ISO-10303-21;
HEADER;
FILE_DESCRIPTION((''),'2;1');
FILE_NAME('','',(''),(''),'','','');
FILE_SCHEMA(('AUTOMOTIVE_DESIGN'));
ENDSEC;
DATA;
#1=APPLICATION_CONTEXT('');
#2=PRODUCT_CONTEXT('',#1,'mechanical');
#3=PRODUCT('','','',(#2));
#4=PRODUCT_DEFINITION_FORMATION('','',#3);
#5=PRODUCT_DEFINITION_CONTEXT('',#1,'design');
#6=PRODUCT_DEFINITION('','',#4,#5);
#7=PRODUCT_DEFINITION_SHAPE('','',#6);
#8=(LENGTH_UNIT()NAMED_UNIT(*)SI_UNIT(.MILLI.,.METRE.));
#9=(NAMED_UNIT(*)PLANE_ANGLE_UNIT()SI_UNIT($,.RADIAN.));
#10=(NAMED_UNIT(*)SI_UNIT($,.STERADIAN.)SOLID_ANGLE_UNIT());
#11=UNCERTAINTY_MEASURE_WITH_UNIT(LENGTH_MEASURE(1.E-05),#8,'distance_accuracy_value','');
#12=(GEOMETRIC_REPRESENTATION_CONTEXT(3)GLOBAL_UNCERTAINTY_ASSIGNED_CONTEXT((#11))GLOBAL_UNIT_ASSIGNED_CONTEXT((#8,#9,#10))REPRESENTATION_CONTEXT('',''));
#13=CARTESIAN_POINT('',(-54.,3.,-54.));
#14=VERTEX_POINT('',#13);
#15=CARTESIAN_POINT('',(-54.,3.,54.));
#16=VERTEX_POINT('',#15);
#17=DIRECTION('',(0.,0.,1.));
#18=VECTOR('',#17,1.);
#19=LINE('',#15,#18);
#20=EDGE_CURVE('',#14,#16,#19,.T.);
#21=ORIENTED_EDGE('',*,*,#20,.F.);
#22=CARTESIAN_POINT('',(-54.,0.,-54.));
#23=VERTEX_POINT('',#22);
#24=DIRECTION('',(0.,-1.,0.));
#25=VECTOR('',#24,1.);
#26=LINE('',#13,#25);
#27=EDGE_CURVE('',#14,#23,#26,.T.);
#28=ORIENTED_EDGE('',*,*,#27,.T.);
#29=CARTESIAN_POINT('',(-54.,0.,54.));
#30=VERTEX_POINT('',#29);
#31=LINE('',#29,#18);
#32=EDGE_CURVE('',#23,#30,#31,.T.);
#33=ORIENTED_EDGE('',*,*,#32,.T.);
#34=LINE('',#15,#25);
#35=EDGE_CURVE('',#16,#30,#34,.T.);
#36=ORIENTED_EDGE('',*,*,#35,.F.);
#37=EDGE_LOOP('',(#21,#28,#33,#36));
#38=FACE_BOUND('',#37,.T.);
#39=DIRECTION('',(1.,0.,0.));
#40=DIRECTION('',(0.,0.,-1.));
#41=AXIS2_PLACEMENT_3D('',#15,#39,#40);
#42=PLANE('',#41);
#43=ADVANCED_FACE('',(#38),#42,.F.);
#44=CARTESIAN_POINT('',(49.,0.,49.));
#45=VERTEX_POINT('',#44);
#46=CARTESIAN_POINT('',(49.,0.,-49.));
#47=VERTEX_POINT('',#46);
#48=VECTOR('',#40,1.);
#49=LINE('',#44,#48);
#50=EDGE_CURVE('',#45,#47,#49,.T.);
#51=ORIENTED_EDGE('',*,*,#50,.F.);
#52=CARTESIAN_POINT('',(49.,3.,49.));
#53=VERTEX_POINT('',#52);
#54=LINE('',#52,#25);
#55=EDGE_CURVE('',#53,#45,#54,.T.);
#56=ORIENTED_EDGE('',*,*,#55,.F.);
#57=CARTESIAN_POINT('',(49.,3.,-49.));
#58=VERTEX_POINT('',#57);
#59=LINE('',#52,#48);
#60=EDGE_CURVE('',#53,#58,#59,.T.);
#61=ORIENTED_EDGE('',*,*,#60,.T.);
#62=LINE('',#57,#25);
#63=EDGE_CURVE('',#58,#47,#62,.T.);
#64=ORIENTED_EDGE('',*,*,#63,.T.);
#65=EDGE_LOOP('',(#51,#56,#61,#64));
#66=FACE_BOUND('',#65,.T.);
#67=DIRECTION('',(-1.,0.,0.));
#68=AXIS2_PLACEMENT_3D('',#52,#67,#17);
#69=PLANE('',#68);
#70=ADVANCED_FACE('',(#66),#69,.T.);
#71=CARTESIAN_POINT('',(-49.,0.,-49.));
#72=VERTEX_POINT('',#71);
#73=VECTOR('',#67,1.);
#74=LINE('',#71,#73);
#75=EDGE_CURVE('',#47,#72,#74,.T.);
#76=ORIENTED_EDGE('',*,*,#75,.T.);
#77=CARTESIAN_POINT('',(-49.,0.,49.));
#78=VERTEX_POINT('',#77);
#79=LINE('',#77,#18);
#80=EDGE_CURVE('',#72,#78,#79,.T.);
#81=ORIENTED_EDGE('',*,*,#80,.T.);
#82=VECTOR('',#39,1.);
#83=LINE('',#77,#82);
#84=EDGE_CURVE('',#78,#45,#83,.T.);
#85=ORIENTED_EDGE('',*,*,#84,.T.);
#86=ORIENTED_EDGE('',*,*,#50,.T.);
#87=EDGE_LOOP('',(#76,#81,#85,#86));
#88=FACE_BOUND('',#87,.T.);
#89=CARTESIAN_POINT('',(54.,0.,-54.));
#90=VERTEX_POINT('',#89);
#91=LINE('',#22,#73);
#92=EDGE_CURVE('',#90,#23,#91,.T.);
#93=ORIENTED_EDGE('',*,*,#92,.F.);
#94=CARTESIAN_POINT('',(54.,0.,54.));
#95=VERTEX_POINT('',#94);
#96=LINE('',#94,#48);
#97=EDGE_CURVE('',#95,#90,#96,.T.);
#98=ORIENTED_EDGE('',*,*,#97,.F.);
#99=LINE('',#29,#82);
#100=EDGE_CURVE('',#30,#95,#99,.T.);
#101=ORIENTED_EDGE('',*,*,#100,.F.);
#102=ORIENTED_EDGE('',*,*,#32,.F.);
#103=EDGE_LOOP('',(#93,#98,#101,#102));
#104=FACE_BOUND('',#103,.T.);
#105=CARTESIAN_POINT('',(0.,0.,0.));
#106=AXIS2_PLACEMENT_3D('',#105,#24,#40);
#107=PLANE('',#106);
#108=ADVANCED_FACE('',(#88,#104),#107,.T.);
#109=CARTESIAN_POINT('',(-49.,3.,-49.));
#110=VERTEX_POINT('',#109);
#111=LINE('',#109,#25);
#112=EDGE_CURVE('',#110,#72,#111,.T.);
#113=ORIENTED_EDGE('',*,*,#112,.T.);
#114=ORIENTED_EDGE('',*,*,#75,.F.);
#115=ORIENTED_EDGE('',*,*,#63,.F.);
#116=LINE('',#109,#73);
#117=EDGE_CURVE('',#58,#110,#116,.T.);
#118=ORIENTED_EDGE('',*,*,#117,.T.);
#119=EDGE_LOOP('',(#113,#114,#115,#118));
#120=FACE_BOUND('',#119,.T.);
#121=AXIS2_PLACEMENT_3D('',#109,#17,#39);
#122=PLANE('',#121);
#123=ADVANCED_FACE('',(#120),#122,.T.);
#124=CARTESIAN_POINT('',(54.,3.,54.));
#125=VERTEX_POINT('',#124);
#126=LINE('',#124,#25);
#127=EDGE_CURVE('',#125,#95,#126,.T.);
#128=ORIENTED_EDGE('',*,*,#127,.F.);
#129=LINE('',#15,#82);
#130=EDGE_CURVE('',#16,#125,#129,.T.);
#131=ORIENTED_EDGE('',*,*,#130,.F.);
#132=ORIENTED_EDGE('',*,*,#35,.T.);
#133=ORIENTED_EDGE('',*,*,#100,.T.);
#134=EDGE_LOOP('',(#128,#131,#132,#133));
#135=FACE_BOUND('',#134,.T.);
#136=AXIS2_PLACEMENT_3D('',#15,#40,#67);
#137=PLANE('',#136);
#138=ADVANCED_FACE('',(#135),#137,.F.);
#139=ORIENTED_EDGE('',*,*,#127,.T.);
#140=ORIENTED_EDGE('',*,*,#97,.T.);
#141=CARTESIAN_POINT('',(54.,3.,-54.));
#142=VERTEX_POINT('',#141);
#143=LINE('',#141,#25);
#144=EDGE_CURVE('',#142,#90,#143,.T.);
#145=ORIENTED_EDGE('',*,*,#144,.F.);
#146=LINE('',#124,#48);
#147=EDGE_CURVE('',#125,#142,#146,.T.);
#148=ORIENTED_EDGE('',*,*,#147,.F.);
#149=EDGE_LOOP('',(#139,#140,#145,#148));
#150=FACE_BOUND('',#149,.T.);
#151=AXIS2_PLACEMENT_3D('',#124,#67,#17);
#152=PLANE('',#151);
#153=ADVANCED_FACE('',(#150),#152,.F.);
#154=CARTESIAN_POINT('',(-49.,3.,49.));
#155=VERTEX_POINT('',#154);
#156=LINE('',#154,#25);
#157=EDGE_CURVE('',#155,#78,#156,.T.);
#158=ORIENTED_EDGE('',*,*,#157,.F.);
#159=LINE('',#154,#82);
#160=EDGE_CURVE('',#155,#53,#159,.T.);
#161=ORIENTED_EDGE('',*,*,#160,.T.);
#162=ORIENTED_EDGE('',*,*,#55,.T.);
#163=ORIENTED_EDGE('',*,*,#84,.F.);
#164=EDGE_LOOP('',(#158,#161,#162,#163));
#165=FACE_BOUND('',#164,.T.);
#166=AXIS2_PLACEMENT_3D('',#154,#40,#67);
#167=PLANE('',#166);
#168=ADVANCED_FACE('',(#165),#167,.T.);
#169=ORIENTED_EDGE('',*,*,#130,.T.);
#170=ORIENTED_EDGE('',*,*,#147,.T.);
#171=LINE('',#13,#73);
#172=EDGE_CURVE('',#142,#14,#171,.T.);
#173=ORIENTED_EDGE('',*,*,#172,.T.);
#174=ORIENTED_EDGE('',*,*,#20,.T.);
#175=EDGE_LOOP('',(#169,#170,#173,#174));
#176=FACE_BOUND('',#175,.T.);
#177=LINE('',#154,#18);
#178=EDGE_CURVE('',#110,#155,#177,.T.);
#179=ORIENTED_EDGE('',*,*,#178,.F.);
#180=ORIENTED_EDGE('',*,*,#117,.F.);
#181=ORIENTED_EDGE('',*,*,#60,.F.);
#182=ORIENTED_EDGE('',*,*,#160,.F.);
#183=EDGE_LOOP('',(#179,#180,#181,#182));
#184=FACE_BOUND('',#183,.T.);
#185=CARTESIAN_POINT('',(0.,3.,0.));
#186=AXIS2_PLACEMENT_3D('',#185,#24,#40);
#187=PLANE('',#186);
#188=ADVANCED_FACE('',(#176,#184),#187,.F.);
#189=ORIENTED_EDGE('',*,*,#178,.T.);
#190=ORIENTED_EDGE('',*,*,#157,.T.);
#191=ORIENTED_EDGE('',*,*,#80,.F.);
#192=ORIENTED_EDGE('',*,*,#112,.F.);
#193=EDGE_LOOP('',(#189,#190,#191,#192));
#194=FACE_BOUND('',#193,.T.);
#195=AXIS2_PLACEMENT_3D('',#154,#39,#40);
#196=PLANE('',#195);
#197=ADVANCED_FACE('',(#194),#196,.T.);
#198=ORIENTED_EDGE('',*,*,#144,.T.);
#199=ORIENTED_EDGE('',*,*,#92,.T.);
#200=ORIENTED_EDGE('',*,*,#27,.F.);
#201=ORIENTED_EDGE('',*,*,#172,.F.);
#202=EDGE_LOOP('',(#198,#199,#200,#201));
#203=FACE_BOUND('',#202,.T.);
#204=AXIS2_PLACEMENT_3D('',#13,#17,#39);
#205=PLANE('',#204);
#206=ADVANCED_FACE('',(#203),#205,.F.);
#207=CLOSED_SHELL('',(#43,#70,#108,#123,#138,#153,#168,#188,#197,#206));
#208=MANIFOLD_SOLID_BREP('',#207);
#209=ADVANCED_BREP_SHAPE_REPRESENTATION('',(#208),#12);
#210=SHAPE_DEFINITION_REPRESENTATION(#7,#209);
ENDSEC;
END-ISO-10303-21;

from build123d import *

# Parameters (mm, degrees)
SKETCH_1_W      = 108
SKETCH_1_H      = 108
SKETCH_1_W_2    = 98
SKETCH_1_H_2    = 98
EXTRUDE_1_DEPTH = 3


with BuildPart() as part:
    # 스케치1 → 보스-돌출1 (new body)
    with BuildSketch(Plane(origin=(0, 0, 0), x_dir=(1, 0, 0), z_dir=(0, 1, 0))):
        Rectangle(SKETCH_1_W, SKETCH_1_H)
        Rectangle(SKETCH_1_W_2, SKETCH_1_H_2, mode=Mode.SUBTRACT)
    extrude(amount=EXTRUDE_1_DEPTH)


solid = part.part
